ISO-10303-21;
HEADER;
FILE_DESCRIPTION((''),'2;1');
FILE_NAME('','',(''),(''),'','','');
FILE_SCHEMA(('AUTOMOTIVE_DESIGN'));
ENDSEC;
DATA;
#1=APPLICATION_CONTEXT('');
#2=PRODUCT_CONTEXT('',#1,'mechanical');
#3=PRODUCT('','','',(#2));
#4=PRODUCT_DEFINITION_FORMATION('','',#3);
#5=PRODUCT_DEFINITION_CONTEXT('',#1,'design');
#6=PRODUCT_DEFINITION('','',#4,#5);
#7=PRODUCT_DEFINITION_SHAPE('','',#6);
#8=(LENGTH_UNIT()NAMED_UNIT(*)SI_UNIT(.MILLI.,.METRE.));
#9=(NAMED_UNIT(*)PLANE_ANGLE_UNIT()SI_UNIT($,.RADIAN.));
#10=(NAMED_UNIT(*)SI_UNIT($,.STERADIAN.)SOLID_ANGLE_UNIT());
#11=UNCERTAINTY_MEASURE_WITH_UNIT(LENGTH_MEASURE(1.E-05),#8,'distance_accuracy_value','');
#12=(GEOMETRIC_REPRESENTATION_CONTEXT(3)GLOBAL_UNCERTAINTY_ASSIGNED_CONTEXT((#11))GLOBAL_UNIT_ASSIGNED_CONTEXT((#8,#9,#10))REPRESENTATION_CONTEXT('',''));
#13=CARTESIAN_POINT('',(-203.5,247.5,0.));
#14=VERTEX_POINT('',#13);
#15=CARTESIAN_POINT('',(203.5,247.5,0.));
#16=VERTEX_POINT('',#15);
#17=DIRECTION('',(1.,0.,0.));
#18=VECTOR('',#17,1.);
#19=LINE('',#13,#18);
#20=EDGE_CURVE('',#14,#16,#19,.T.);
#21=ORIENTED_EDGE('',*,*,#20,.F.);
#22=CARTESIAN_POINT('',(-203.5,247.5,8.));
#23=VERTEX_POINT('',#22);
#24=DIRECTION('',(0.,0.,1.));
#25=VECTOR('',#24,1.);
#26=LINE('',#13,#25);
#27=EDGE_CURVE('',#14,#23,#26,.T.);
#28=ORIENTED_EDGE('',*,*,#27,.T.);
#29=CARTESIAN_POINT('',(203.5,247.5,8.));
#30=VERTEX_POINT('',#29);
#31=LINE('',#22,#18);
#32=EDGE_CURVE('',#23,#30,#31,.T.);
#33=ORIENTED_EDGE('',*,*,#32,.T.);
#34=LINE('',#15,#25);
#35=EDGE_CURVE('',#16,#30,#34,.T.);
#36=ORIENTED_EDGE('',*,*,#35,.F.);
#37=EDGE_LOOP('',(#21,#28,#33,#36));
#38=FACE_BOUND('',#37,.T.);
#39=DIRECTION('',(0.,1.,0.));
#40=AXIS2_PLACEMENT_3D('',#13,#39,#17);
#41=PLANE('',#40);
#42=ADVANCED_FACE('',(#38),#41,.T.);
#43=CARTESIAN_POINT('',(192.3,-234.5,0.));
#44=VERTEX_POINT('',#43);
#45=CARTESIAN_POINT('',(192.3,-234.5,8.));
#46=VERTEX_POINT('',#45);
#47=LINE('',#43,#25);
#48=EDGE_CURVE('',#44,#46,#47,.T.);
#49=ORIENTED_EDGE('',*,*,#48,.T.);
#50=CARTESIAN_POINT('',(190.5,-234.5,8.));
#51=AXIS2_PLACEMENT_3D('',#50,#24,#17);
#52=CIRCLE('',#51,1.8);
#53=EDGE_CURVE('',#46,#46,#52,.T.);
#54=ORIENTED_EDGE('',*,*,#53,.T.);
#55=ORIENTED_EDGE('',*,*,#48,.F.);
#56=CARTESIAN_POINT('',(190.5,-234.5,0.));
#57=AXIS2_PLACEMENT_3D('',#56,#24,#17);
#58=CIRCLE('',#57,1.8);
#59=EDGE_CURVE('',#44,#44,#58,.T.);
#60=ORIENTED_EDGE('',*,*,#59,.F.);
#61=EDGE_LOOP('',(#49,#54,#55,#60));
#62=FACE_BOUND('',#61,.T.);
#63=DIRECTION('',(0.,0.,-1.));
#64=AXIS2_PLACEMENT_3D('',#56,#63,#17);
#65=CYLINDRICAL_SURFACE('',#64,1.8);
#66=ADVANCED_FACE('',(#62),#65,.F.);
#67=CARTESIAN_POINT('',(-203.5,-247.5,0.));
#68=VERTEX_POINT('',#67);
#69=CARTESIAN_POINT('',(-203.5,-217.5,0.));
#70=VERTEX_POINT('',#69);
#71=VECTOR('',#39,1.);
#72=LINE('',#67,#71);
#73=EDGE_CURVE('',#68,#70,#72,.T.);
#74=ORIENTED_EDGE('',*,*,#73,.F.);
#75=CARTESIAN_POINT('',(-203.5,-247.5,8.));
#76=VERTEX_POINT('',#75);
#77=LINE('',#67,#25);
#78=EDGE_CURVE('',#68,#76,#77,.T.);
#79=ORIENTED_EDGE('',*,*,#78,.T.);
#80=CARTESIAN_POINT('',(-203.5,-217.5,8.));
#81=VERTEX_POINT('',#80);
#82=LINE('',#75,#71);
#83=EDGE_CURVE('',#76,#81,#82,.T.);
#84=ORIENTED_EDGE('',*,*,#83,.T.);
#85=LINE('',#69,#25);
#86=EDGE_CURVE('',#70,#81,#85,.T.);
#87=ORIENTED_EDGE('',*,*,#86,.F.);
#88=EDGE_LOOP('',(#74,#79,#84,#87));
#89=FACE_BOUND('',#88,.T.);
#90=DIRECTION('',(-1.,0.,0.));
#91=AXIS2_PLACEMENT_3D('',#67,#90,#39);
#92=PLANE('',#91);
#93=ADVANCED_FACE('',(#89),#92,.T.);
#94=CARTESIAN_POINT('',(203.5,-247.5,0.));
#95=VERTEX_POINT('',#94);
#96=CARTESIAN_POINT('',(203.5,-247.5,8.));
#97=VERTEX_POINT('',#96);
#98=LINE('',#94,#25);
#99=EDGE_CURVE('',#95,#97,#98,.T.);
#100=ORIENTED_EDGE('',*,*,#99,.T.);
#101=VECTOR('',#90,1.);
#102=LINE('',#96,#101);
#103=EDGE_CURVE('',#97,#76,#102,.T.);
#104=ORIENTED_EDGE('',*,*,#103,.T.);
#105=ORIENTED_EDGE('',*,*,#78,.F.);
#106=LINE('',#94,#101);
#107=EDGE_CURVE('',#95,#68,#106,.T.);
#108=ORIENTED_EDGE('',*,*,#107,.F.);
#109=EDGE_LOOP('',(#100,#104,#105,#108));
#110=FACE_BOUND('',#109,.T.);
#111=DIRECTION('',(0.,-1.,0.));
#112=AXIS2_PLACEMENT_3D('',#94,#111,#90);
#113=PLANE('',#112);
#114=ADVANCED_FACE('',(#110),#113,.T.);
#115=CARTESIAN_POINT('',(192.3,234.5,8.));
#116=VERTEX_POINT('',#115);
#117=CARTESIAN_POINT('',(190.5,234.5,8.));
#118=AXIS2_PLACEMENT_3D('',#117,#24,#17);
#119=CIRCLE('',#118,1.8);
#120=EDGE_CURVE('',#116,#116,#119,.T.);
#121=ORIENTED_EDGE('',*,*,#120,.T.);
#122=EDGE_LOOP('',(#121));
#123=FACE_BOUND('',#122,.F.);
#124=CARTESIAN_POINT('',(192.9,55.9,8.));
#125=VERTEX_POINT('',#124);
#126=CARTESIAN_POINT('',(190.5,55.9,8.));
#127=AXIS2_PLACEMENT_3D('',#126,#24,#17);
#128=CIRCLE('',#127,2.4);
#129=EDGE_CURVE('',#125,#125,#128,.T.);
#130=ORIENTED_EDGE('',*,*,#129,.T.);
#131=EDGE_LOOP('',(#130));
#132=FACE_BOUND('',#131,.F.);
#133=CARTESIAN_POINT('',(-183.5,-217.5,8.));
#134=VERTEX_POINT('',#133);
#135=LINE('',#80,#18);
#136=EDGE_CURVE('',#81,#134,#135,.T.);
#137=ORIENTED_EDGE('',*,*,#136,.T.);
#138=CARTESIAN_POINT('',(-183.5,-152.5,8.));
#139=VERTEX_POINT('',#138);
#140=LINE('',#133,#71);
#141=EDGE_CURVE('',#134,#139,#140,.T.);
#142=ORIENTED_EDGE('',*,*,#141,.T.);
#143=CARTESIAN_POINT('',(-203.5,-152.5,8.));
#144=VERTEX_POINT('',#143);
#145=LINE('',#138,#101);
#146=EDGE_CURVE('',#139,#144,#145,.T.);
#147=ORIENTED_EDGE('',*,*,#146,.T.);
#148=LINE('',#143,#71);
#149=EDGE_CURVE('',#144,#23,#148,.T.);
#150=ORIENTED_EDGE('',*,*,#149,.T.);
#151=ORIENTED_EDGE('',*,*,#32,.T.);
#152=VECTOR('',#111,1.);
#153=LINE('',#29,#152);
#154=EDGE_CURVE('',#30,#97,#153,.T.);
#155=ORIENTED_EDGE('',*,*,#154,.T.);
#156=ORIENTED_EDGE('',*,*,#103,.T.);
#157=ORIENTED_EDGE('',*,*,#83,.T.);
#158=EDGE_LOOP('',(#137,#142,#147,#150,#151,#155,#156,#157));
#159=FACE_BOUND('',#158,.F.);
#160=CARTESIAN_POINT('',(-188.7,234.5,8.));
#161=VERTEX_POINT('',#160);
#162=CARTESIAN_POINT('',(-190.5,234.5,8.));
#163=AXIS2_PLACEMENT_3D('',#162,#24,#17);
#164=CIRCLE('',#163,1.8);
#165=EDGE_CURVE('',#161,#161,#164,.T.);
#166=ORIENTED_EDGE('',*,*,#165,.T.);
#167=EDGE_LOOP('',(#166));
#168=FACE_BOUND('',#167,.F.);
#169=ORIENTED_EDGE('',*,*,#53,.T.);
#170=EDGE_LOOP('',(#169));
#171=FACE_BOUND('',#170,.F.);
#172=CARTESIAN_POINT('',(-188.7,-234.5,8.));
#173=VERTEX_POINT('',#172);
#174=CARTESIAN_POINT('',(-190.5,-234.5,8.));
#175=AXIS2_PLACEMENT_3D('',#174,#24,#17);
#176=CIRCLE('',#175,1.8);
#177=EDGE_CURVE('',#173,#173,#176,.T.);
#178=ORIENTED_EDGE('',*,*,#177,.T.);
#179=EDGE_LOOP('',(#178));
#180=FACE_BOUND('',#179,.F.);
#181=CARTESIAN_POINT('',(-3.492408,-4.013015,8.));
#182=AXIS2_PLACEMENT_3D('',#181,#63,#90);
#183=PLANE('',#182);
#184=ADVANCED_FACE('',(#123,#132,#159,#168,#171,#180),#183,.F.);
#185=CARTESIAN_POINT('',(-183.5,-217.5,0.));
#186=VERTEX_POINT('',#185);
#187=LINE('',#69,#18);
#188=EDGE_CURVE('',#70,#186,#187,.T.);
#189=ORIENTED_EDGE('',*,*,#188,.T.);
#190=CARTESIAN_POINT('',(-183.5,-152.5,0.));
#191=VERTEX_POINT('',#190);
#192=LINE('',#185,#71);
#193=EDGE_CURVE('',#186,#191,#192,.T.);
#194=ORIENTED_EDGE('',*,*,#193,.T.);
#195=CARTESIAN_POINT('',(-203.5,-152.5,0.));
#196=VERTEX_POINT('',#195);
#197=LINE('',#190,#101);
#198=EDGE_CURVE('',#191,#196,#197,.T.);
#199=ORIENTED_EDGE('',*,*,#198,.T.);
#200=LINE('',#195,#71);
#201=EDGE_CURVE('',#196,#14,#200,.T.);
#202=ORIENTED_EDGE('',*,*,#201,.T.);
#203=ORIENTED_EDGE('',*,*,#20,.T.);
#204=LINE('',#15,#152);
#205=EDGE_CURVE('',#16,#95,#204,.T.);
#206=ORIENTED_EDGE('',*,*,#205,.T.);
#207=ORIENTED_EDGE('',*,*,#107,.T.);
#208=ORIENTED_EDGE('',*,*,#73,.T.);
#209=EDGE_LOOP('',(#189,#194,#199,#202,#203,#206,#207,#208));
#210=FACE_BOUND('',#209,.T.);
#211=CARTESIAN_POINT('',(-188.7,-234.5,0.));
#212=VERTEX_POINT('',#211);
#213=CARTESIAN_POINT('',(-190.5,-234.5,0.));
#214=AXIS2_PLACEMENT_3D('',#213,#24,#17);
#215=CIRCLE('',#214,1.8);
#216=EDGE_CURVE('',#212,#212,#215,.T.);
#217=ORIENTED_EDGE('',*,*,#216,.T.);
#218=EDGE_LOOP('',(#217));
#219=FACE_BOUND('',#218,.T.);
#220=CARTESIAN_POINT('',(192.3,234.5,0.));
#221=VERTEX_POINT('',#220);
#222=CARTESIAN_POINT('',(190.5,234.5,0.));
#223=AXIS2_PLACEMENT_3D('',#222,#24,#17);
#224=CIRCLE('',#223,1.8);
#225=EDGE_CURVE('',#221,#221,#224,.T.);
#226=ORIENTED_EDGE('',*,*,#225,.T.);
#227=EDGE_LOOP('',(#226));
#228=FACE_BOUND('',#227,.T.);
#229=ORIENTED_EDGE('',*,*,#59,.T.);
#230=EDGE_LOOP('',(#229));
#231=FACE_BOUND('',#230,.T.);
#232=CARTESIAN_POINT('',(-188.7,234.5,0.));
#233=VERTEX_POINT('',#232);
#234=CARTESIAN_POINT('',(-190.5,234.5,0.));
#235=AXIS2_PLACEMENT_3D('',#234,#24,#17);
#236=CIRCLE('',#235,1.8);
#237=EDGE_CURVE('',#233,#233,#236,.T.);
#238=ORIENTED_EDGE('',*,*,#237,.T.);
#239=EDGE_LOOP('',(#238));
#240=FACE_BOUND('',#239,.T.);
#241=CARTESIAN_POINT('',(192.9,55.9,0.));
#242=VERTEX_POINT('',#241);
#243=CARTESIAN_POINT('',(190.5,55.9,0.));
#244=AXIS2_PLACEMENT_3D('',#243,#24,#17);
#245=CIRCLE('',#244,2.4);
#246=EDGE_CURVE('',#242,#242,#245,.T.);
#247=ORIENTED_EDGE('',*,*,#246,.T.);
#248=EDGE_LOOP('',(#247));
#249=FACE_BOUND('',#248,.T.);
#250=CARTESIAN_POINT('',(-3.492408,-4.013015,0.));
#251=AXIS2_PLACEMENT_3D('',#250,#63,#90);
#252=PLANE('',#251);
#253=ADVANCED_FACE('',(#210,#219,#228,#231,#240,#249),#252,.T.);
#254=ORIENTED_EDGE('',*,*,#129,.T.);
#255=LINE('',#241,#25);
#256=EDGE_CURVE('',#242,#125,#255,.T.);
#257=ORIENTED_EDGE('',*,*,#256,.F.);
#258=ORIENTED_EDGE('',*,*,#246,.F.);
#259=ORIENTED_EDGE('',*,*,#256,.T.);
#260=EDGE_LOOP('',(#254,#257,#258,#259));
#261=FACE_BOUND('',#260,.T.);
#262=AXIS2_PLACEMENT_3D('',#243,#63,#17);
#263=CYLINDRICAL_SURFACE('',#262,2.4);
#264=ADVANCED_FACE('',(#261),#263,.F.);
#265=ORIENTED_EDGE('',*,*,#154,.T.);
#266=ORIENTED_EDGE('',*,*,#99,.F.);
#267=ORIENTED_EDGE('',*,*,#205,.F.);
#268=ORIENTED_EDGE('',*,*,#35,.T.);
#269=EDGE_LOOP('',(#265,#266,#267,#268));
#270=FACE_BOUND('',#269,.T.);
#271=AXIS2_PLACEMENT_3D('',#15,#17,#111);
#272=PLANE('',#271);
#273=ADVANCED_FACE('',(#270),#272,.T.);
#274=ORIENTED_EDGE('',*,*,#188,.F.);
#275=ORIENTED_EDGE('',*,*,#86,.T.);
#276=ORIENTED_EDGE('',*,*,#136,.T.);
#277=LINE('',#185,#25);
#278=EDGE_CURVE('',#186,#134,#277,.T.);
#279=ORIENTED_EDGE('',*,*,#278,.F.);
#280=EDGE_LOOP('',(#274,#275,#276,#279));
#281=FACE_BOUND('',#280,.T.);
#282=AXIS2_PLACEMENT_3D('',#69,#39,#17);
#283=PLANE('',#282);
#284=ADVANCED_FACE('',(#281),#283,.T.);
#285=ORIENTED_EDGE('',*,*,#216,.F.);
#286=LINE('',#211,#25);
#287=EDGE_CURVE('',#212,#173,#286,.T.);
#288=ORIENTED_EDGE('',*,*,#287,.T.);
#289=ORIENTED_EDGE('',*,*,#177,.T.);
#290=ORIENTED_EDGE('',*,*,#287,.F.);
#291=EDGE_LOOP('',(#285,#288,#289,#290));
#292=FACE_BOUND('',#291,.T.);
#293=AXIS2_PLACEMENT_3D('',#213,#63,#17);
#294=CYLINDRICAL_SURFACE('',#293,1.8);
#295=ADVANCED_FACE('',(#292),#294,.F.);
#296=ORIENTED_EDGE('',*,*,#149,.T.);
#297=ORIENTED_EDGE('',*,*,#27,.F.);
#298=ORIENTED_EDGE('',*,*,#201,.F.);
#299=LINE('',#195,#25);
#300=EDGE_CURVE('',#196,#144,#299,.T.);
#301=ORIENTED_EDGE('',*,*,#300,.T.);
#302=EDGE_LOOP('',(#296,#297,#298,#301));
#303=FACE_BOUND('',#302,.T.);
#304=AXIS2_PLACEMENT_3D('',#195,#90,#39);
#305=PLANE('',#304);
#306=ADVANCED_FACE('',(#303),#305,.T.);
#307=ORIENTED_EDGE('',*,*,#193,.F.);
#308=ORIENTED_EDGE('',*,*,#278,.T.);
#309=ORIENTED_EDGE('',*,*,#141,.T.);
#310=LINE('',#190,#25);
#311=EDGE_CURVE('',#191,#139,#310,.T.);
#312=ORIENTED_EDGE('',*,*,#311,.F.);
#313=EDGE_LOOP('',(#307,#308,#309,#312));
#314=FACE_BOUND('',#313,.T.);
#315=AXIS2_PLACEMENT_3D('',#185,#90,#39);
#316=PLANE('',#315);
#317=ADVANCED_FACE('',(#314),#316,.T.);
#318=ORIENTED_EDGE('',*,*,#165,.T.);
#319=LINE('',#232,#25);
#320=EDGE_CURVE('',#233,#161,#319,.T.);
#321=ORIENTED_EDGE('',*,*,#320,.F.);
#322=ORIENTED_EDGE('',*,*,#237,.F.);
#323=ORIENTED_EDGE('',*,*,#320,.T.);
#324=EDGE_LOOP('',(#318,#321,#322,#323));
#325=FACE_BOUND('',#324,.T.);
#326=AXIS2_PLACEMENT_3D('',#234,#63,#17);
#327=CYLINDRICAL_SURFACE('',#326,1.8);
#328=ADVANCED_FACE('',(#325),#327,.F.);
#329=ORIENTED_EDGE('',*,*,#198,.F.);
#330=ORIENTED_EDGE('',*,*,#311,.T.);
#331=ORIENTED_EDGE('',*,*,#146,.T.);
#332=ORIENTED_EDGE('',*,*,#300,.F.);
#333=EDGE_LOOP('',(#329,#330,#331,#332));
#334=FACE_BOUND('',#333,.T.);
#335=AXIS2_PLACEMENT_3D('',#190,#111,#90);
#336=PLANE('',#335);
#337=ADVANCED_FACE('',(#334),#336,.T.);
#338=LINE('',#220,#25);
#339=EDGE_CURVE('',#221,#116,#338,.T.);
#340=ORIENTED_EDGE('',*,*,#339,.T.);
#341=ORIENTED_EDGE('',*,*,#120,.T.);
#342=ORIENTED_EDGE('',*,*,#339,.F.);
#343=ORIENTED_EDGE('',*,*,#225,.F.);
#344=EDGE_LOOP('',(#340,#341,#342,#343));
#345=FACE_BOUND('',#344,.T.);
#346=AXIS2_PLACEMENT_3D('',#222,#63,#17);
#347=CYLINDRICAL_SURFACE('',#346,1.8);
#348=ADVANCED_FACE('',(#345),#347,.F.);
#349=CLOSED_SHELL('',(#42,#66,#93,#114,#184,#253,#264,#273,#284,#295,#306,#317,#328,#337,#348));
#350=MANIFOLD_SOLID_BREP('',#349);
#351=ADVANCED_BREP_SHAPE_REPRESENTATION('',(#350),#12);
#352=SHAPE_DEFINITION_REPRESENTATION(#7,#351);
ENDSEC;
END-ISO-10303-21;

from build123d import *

# Parameters (mm, degrees)
SKETCH_R   = 1.8
SKETCH_R_2 = 2.4
PAD_DEPTH  = 8


with BuildPart() as part:
    # Sketch → Pad (new body)
    with BuildSketch(Plane.XY):
        Polygon((-203.5, 247.5), (203.5, 247.5), (203.5, -247.5), (-203.5, -247.5), (-203.5, -217.5), (-183.5, -217.5), (-183.5, -152.5), (-203.5, -152.5), align=None)
        with Locations((-190.5, 234.5)):
            Circle(SKETCH_R, mode=Mode.SUBTRACT)
        with Locations((190.5, 234.5)):
            Circle(SKETCH_R, mode=Mode.SUBTRACT)
        with Locations((-190.5, -234.5)):
            Circle(SKETCH_R, mode=Mode.SUBTRACT)
        with Locations((190.5, -234.5)):
            Circle(SKETCH_R, mode=Mode.SUBTRACT)
        with Locations((190.5, 55.9)):
            Circle(SKETCH_R_2, mode=Mode.SUBTRACT)
    extrude(amount=PAD_DEPTH)


solid = part.part
